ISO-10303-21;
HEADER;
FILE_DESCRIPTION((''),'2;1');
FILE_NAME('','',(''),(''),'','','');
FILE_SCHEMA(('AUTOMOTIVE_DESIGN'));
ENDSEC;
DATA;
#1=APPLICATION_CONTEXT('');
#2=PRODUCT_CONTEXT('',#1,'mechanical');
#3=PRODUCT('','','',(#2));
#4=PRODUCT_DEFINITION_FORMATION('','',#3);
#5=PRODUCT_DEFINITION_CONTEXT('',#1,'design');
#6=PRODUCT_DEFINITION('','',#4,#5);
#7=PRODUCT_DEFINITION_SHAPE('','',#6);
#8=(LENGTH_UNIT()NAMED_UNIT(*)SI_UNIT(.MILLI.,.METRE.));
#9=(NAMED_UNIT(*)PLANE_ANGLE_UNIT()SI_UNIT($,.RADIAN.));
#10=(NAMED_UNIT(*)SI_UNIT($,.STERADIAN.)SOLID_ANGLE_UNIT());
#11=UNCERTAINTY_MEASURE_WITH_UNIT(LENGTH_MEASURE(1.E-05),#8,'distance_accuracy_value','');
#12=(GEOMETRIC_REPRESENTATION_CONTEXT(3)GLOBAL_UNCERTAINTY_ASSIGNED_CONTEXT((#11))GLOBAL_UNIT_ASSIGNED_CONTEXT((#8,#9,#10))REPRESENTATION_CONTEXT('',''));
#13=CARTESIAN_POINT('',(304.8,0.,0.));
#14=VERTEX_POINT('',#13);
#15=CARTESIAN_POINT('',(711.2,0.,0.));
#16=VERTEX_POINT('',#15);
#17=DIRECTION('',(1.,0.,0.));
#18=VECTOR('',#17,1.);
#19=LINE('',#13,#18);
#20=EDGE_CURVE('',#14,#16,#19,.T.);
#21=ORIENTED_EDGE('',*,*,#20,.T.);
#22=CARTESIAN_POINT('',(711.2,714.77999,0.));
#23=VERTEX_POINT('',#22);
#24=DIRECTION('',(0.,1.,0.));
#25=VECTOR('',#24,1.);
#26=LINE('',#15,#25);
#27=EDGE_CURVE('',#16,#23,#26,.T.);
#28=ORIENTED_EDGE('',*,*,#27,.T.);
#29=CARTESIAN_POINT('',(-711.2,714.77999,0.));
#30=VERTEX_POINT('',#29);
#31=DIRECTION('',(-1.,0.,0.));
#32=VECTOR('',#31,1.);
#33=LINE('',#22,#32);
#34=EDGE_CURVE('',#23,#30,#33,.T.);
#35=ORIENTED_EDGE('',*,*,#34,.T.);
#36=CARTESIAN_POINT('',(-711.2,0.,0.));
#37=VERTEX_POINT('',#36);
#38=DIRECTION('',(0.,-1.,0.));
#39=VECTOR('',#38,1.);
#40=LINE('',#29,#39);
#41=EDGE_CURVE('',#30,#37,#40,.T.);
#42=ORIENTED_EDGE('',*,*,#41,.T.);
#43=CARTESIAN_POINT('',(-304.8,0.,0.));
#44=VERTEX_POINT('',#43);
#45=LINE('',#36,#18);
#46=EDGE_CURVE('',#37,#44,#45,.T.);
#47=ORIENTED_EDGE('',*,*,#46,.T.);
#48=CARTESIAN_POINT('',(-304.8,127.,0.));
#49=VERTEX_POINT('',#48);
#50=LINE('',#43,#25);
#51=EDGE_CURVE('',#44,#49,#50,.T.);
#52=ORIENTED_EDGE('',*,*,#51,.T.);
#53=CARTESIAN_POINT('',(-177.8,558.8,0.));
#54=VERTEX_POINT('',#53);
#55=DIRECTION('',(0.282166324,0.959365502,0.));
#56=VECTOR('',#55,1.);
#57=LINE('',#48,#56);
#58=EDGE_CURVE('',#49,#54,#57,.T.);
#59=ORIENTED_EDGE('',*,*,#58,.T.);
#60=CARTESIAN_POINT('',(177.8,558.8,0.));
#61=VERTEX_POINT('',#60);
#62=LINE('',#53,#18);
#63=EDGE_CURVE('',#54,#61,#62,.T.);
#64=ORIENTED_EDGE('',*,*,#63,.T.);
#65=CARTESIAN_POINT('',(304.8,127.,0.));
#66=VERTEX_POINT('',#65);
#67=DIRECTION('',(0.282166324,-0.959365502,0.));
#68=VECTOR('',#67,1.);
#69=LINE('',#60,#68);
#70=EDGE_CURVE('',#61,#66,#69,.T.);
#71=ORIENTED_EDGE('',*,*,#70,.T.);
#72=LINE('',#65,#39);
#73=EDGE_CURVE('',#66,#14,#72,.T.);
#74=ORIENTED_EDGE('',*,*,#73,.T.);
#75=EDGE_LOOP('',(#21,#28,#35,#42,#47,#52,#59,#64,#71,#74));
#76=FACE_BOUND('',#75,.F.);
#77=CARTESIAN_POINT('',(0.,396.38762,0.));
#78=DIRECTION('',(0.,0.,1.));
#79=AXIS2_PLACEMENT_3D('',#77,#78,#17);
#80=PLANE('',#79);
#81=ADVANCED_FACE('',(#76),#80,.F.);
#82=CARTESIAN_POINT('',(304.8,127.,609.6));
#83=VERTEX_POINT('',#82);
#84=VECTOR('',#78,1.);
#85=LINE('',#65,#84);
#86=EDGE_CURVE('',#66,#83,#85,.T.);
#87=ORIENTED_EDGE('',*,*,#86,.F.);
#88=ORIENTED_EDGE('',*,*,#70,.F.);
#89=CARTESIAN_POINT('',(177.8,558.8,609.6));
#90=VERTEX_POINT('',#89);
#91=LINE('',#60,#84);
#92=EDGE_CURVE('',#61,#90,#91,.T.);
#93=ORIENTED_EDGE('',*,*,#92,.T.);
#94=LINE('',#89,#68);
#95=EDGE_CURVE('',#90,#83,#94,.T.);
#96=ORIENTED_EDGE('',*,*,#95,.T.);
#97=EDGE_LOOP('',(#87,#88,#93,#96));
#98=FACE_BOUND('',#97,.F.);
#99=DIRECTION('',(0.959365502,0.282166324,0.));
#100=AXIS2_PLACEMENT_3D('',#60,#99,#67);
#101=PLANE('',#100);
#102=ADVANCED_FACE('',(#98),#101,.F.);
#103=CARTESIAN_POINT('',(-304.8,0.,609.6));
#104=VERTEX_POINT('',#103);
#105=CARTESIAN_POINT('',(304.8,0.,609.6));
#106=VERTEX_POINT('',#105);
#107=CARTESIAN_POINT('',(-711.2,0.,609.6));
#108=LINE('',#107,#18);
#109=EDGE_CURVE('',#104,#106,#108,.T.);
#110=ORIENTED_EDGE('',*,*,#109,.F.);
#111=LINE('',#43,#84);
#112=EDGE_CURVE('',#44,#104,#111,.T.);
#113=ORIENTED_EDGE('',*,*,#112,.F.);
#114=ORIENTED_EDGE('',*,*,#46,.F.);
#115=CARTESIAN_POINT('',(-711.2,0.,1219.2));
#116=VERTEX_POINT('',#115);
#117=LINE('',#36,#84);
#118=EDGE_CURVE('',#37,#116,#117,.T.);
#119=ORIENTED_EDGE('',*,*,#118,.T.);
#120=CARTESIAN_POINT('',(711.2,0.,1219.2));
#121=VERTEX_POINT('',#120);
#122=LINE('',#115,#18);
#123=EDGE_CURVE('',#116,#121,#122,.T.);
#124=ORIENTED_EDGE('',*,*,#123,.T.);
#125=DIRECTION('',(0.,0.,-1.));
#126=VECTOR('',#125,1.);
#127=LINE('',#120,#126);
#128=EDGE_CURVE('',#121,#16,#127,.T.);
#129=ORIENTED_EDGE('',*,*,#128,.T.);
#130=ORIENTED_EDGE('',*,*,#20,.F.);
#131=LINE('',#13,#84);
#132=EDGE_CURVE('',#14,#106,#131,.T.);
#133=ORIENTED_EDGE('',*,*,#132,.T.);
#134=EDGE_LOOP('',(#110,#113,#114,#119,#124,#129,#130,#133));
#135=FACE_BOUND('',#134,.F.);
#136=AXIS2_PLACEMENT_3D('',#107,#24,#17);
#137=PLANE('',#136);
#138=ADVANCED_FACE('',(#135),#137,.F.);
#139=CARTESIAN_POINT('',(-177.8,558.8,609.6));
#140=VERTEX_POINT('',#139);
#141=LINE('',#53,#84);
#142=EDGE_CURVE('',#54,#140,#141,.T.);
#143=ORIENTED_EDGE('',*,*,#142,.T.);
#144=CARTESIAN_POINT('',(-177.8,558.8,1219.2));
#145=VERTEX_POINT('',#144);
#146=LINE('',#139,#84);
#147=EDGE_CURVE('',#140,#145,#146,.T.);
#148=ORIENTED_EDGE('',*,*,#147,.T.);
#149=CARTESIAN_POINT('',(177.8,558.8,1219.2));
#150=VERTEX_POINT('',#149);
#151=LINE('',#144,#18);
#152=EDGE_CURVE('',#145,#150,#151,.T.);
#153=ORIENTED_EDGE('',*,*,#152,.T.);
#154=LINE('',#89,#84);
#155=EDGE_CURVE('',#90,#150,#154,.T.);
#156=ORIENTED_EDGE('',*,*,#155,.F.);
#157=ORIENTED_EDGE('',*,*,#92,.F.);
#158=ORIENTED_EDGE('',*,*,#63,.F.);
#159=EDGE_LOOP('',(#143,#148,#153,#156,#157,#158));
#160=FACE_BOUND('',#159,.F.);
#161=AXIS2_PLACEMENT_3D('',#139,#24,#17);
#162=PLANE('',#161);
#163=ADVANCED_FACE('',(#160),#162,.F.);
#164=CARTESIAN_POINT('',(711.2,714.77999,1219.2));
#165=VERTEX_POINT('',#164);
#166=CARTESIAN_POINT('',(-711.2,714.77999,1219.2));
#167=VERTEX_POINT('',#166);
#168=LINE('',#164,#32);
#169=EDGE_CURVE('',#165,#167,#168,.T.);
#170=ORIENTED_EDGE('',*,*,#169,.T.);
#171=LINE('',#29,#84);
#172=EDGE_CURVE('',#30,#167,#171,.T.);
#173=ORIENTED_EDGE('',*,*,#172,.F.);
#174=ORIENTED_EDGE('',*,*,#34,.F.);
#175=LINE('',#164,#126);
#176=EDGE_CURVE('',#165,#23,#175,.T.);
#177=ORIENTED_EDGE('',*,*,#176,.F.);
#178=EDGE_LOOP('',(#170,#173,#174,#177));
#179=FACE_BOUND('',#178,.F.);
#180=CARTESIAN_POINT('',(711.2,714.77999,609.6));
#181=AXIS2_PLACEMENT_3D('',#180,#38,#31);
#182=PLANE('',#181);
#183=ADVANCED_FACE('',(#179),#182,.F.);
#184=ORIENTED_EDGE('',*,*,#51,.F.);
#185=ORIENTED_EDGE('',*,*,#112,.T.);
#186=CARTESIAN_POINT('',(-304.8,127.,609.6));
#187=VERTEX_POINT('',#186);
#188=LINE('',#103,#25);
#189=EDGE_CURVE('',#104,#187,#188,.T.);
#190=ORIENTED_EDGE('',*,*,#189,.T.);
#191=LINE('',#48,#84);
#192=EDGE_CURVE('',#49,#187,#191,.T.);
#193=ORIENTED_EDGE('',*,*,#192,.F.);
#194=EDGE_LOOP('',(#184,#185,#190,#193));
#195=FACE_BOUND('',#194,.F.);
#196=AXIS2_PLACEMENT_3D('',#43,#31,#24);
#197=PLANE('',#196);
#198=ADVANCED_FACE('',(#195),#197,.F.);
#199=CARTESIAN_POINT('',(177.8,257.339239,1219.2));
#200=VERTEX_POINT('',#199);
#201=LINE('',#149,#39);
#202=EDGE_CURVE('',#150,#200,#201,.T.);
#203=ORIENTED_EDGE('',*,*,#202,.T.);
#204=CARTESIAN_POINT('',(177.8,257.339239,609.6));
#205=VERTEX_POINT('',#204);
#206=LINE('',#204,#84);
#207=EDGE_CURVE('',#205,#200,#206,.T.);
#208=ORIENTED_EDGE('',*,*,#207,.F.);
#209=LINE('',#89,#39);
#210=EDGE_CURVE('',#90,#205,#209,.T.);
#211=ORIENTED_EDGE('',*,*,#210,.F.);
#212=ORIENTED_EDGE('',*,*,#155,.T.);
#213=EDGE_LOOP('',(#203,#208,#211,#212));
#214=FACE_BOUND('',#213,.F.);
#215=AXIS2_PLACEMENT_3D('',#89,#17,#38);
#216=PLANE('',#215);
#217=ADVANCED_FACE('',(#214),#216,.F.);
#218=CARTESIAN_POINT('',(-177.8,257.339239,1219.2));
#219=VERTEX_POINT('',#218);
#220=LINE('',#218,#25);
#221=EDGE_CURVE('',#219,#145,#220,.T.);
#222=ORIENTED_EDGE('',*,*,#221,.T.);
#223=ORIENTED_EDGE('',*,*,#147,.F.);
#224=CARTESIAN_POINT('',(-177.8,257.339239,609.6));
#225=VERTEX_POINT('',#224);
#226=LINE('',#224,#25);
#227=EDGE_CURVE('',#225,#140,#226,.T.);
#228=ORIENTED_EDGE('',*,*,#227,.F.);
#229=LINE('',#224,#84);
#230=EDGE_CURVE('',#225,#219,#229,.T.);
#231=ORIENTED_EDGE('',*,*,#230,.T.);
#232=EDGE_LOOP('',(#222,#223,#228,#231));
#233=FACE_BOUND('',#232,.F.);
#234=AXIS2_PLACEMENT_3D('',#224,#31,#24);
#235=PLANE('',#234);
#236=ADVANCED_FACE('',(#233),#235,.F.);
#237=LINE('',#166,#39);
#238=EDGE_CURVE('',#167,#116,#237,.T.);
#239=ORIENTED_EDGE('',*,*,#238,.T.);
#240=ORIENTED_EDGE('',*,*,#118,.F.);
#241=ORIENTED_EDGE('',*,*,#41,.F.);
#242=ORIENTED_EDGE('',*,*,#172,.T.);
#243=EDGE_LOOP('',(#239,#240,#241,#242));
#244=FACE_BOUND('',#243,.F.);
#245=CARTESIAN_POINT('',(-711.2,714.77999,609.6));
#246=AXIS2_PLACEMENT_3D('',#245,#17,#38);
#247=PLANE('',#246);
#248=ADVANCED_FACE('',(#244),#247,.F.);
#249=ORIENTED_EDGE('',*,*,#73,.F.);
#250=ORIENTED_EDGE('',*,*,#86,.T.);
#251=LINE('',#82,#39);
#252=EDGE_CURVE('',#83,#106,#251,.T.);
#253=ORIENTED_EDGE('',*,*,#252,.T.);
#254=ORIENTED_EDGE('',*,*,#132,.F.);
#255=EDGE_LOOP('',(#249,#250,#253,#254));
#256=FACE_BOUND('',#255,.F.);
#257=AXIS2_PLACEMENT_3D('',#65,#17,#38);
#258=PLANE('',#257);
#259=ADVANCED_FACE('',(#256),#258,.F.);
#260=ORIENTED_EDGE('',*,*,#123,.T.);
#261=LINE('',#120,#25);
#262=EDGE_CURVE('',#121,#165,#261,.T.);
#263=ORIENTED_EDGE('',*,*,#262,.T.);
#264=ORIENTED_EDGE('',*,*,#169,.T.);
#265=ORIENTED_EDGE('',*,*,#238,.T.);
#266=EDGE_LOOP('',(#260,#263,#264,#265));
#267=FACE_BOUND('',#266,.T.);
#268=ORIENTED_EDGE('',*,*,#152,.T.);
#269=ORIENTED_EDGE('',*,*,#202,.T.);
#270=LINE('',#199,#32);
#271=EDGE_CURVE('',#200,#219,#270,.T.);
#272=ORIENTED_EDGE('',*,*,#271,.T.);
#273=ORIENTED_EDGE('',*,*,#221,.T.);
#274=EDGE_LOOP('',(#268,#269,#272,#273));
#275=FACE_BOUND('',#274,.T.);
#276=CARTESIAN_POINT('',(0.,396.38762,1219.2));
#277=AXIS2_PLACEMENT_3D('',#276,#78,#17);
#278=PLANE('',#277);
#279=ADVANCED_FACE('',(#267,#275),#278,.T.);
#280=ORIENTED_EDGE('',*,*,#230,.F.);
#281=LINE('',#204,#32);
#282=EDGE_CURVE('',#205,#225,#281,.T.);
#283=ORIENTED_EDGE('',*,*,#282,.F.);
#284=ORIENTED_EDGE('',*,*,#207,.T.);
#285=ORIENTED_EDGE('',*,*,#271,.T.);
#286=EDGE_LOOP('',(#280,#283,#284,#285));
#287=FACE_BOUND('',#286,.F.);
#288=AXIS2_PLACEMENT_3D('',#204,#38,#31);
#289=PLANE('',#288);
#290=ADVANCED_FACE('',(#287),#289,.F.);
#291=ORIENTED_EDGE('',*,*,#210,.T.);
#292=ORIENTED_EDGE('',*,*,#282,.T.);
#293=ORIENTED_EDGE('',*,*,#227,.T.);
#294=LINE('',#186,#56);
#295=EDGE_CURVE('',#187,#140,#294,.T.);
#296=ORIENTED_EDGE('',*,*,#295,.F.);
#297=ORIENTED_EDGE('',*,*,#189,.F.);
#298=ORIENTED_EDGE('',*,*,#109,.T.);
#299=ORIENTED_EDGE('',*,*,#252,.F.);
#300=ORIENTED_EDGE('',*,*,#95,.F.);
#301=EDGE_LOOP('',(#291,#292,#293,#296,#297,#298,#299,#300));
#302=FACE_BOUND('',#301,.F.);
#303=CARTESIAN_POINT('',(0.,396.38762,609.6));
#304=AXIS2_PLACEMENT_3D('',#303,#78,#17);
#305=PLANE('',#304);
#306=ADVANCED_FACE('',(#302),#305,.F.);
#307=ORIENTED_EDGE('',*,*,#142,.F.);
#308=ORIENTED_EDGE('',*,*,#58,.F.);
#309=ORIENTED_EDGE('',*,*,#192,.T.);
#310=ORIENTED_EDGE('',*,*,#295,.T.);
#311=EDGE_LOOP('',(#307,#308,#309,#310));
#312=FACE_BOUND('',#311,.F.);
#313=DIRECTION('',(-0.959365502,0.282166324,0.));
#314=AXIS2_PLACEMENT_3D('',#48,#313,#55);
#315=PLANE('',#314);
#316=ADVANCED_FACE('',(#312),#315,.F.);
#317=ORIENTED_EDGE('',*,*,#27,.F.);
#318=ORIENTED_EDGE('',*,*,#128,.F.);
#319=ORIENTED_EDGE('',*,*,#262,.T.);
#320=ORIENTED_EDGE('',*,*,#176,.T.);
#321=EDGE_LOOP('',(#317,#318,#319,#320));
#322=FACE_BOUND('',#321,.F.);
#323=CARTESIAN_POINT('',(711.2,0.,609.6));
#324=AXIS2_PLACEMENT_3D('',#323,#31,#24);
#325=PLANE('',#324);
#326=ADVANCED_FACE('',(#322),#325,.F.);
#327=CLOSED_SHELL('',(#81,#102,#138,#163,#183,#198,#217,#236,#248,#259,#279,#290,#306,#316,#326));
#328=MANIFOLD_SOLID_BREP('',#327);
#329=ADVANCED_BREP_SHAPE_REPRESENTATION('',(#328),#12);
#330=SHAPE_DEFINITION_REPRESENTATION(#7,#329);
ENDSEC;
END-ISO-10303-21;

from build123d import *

# Parameters (mm, degrees)
F1_DEPTH = 609.6
F3_DEPTH = 609.6


with BuildPart() as f1:
    # F0 (on Top) → F1 (new body)
    with BuildSketch(Plane.XY):
        Polygon((-711.2, 0), (-304.8, 0), (-304.8, 127), (-177.8, 558.8), (177.8, 558.8), (304.8, 127), (304.8, 0), (711.2, 0), (711.2, 714.77999), (-711.2, 714.77999), align=None)
    extrude(amount=F1_DEPTH)

    # F2 (on face) → F3 (join)
    with BuildSketch(Plane.XY.offset(609.6)):
        Polygon((711.2, 714.77999), (-711.2, 714.77999), (-711.2, 0), (-304.8, 0), (-304.8, 127), (-177.8, 558.8), (177.8, 558.8), (304.8, 127), (304.8, 0), (711.2, 0), align=None)
        Polygon((-304.8, 127), (-304.8, 0), (304.8, 0), (304.8, 127), (177.8, 558.8), (177.8, 257.339239), (-177.8, 257.339239), (-177.8, 558.8), align=None)
    extrude(amount=F3_DEPTH)


solid = f1.part
